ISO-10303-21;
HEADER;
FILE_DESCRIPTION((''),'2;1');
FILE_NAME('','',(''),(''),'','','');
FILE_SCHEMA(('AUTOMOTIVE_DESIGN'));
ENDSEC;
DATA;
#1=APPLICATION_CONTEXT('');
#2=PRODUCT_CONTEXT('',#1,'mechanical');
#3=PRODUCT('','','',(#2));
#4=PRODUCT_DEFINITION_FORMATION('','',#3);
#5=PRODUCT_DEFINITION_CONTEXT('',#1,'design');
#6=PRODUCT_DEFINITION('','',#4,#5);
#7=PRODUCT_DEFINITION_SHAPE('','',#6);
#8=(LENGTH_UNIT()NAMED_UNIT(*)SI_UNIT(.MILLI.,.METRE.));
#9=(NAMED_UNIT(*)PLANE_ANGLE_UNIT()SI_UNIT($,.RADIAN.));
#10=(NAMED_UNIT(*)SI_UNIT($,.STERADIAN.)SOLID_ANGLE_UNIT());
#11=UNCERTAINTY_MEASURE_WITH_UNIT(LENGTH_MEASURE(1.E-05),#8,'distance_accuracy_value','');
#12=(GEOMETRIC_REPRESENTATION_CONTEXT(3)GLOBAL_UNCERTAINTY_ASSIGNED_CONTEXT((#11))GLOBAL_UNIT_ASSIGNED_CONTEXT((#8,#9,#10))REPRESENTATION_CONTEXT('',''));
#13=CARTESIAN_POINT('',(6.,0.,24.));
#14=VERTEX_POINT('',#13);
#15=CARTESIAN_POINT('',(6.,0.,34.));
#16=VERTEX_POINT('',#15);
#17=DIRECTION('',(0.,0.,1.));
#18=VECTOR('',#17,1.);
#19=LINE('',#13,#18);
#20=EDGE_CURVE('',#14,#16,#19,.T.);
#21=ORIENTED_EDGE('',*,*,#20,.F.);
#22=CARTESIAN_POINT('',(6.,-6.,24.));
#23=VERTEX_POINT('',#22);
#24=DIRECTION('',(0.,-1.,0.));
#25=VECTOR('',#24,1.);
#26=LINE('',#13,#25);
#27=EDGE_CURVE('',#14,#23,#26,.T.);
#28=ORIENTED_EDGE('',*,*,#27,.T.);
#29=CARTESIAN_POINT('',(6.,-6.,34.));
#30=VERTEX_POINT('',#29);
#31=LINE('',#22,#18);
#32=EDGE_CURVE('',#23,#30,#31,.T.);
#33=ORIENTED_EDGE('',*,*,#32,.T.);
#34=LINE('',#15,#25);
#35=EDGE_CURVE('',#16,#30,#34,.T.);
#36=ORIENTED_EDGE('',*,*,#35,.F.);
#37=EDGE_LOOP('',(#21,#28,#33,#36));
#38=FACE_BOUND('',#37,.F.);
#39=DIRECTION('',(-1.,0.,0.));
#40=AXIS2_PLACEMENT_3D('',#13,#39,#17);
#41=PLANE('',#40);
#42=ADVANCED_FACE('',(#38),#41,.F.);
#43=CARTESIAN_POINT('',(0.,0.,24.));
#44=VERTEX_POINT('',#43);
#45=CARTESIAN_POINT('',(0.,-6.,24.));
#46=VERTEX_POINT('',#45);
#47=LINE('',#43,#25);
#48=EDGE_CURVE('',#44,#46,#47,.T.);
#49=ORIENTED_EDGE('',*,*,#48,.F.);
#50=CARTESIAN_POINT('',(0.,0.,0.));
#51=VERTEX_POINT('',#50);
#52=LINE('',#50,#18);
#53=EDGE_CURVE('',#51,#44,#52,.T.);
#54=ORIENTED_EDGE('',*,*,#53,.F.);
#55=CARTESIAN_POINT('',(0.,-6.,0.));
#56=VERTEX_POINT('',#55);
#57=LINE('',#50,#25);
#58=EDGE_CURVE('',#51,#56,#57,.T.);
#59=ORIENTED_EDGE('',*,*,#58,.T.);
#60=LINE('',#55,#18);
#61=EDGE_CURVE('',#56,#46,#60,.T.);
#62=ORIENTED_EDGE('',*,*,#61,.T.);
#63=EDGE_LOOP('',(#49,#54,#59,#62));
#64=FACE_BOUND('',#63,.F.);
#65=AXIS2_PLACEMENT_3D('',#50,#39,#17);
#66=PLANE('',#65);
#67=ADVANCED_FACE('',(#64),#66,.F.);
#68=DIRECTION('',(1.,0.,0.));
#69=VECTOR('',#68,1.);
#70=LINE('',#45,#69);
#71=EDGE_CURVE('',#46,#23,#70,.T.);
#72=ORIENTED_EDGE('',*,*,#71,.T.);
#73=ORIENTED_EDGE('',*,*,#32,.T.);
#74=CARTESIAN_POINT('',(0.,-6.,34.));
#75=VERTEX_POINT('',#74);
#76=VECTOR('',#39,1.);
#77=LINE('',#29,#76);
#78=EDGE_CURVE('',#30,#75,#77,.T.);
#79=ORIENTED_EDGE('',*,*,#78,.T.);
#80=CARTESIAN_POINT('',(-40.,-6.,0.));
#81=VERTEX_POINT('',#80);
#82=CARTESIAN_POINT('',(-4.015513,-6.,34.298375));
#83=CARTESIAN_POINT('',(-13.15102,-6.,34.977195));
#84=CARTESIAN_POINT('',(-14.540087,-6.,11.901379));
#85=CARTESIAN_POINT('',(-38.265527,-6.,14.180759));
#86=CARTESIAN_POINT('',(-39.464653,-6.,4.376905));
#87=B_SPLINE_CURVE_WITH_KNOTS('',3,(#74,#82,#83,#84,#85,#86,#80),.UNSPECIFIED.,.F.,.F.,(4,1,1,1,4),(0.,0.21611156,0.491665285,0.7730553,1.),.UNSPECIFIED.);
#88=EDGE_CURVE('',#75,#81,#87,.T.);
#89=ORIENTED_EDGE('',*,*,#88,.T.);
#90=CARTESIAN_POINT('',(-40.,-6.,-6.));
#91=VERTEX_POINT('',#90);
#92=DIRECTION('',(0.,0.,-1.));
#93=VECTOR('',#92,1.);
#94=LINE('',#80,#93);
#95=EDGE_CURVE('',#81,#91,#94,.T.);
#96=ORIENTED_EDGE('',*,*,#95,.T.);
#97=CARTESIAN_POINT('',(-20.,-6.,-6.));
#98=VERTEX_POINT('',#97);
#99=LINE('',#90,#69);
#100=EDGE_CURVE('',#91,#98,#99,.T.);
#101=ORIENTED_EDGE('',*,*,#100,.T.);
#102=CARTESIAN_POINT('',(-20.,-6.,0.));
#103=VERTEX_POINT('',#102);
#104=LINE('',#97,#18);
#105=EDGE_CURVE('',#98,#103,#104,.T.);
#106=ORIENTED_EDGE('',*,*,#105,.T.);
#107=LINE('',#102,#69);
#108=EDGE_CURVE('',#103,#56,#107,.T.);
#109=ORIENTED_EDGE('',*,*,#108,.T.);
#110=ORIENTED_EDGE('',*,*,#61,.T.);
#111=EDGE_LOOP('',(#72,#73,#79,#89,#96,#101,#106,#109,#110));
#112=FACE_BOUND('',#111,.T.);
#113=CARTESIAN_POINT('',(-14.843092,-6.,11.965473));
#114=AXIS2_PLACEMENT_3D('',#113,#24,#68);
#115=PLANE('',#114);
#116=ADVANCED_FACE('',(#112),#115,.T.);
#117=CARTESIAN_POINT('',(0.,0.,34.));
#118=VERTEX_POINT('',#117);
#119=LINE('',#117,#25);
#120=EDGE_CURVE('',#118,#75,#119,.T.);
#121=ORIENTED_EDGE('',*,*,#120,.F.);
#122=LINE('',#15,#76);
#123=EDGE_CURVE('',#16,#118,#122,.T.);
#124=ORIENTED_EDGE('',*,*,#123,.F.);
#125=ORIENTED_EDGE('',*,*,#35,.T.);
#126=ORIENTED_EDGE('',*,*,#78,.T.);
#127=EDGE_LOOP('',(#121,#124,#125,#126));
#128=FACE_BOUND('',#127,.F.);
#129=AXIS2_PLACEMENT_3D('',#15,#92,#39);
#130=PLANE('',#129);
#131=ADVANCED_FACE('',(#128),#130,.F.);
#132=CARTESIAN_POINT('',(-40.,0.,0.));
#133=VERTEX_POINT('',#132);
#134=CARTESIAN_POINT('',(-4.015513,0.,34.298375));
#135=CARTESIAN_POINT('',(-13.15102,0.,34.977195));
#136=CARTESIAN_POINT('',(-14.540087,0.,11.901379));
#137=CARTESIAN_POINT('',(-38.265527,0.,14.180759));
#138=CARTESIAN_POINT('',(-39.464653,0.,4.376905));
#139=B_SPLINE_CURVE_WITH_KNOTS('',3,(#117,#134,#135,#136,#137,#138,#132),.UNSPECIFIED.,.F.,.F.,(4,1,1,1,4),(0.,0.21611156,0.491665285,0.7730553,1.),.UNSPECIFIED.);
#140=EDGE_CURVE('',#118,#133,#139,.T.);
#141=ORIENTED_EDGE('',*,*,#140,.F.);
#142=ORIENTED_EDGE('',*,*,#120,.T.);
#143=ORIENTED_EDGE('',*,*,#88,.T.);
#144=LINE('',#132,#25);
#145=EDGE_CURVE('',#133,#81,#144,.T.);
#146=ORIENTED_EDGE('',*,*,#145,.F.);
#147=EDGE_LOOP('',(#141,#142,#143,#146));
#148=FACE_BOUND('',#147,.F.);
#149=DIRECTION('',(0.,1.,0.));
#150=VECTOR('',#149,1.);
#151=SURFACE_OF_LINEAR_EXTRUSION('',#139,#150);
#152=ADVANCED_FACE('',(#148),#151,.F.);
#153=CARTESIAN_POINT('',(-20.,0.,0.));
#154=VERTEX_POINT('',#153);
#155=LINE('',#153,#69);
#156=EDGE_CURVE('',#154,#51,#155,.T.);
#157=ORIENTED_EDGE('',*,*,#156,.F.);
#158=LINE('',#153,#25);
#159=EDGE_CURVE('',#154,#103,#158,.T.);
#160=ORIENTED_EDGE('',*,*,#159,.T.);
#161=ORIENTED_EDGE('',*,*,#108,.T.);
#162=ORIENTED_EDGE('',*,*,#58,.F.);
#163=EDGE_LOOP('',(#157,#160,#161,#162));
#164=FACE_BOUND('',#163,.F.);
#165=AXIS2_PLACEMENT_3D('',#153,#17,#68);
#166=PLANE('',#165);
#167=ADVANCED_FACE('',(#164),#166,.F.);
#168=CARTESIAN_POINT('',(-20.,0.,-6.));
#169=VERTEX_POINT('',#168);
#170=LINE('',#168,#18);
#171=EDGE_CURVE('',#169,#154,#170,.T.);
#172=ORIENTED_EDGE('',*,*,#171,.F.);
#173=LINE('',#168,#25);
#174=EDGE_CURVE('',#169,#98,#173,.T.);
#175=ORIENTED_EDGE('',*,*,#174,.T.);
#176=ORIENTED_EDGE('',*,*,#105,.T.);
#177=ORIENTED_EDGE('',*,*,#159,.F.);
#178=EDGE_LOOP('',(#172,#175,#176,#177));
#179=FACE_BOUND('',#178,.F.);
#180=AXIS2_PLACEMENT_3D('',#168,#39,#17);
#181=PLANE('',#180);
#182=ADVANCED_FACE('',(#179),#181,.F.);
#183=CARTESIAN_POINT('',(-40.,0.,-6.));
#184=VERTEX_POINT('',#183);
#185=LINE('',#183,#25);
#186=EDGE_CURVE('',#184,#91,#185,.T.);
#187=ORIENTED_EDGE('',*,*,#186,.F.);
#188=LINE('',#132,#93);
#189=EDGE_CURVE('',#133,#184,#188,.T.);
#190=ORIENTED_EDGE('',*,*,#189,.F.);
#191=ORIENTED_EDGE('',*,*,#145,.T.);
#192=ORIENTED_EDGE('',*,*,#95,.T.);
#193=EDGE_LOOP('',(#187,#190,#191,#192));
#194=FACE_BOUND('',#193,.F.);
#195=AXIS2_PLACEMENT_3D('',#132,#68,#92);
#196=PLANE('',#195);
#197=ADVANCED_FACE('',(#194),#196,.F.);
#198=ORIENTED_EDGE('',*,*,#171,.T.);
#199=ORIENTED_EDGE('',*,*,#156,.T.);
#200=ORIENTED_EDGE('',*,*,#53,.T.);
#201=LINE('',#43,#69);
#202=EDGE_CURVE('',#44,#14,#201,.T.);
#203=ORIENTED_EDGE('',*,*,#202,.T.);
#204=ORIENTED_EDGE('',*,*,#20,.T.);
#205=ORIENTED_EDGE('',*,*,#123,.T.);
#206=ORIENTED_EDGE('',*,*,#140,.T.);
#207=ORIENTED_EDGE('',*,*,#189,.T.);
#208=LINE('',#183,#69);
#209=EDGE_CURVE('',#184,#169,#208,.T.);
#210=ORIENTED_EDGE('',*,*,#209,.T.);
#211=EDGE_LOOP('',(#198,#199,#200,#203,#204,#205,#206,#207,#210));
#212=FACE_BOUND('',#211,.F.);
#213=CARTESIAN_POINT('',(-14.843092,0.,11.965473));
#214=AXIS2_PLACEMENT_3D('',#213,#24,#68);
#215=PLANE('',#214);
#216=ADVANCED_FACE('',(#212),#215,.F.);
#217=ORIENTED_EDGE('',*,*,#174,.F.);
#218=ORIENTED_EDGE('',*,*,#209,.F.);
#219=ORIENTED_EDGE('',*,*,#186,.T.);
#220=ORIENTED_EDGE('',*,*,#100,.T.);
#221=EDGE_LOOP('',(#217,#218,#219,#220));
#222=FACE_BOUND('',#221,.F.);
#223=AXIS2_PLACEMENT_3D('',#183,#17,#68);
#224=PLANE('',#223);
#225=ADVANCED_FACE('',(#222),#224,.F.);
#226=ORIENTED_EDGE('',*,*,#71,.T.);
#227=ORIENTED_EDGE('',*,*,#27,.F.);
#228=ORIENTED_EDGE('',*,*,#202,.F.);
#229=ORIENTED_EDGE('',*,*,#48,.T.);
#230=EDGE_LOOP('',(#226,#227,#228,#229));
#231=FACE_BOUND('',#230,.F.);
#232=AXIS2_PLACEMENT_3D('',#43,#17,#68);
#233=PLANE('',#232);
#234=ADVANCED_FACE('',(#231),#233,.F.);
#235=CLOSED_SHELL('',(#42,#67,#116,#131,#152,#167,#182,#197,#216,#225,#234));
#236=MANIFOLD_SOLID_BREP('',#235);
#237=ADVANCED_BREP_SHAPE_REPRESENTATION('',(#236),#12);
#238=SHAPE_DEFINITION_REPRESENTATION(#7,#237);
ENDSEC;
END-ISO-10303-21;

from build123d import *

# Parameters (mm, degrees)
F1_DEPTH = 6


with BuildPart() as f1:
    # F0 (on Front) → F1 (new body)
    with BuildSketch(Plane.XZ):
        with BuildLine():
            Line((-20, 0), (0, 0))
            Line((0, 0), (0, 24))
            Line((0, 24), (6, 24))
            Line((6, 24), (6, 34))
            Line((6, 34), (0, 34))
            add(Edge.make_bspline(
                [(0, 34), (-4.0155134171, 34.2983753738), (-13.1510198564, 34.9771952072), (-14.5400874308, 11.9013792345), (-38.2655270114, 14.1807586639), (-39.4646532403, 4.3769048297), (-40, 0)],
                knots=[0, 0, 0, 0, 0.2161115602, 0.4916652854, 0.7730553, 1, 1, 1, 1], degree=3))
            Line((-40, 0), (-40, -6))
            Line((-40, -6), (-20, -6))
            Line((-20, -6), (-20, 0))
        make_face()
    extrude(amount=F1_DEPTH)


solid = f1.part
